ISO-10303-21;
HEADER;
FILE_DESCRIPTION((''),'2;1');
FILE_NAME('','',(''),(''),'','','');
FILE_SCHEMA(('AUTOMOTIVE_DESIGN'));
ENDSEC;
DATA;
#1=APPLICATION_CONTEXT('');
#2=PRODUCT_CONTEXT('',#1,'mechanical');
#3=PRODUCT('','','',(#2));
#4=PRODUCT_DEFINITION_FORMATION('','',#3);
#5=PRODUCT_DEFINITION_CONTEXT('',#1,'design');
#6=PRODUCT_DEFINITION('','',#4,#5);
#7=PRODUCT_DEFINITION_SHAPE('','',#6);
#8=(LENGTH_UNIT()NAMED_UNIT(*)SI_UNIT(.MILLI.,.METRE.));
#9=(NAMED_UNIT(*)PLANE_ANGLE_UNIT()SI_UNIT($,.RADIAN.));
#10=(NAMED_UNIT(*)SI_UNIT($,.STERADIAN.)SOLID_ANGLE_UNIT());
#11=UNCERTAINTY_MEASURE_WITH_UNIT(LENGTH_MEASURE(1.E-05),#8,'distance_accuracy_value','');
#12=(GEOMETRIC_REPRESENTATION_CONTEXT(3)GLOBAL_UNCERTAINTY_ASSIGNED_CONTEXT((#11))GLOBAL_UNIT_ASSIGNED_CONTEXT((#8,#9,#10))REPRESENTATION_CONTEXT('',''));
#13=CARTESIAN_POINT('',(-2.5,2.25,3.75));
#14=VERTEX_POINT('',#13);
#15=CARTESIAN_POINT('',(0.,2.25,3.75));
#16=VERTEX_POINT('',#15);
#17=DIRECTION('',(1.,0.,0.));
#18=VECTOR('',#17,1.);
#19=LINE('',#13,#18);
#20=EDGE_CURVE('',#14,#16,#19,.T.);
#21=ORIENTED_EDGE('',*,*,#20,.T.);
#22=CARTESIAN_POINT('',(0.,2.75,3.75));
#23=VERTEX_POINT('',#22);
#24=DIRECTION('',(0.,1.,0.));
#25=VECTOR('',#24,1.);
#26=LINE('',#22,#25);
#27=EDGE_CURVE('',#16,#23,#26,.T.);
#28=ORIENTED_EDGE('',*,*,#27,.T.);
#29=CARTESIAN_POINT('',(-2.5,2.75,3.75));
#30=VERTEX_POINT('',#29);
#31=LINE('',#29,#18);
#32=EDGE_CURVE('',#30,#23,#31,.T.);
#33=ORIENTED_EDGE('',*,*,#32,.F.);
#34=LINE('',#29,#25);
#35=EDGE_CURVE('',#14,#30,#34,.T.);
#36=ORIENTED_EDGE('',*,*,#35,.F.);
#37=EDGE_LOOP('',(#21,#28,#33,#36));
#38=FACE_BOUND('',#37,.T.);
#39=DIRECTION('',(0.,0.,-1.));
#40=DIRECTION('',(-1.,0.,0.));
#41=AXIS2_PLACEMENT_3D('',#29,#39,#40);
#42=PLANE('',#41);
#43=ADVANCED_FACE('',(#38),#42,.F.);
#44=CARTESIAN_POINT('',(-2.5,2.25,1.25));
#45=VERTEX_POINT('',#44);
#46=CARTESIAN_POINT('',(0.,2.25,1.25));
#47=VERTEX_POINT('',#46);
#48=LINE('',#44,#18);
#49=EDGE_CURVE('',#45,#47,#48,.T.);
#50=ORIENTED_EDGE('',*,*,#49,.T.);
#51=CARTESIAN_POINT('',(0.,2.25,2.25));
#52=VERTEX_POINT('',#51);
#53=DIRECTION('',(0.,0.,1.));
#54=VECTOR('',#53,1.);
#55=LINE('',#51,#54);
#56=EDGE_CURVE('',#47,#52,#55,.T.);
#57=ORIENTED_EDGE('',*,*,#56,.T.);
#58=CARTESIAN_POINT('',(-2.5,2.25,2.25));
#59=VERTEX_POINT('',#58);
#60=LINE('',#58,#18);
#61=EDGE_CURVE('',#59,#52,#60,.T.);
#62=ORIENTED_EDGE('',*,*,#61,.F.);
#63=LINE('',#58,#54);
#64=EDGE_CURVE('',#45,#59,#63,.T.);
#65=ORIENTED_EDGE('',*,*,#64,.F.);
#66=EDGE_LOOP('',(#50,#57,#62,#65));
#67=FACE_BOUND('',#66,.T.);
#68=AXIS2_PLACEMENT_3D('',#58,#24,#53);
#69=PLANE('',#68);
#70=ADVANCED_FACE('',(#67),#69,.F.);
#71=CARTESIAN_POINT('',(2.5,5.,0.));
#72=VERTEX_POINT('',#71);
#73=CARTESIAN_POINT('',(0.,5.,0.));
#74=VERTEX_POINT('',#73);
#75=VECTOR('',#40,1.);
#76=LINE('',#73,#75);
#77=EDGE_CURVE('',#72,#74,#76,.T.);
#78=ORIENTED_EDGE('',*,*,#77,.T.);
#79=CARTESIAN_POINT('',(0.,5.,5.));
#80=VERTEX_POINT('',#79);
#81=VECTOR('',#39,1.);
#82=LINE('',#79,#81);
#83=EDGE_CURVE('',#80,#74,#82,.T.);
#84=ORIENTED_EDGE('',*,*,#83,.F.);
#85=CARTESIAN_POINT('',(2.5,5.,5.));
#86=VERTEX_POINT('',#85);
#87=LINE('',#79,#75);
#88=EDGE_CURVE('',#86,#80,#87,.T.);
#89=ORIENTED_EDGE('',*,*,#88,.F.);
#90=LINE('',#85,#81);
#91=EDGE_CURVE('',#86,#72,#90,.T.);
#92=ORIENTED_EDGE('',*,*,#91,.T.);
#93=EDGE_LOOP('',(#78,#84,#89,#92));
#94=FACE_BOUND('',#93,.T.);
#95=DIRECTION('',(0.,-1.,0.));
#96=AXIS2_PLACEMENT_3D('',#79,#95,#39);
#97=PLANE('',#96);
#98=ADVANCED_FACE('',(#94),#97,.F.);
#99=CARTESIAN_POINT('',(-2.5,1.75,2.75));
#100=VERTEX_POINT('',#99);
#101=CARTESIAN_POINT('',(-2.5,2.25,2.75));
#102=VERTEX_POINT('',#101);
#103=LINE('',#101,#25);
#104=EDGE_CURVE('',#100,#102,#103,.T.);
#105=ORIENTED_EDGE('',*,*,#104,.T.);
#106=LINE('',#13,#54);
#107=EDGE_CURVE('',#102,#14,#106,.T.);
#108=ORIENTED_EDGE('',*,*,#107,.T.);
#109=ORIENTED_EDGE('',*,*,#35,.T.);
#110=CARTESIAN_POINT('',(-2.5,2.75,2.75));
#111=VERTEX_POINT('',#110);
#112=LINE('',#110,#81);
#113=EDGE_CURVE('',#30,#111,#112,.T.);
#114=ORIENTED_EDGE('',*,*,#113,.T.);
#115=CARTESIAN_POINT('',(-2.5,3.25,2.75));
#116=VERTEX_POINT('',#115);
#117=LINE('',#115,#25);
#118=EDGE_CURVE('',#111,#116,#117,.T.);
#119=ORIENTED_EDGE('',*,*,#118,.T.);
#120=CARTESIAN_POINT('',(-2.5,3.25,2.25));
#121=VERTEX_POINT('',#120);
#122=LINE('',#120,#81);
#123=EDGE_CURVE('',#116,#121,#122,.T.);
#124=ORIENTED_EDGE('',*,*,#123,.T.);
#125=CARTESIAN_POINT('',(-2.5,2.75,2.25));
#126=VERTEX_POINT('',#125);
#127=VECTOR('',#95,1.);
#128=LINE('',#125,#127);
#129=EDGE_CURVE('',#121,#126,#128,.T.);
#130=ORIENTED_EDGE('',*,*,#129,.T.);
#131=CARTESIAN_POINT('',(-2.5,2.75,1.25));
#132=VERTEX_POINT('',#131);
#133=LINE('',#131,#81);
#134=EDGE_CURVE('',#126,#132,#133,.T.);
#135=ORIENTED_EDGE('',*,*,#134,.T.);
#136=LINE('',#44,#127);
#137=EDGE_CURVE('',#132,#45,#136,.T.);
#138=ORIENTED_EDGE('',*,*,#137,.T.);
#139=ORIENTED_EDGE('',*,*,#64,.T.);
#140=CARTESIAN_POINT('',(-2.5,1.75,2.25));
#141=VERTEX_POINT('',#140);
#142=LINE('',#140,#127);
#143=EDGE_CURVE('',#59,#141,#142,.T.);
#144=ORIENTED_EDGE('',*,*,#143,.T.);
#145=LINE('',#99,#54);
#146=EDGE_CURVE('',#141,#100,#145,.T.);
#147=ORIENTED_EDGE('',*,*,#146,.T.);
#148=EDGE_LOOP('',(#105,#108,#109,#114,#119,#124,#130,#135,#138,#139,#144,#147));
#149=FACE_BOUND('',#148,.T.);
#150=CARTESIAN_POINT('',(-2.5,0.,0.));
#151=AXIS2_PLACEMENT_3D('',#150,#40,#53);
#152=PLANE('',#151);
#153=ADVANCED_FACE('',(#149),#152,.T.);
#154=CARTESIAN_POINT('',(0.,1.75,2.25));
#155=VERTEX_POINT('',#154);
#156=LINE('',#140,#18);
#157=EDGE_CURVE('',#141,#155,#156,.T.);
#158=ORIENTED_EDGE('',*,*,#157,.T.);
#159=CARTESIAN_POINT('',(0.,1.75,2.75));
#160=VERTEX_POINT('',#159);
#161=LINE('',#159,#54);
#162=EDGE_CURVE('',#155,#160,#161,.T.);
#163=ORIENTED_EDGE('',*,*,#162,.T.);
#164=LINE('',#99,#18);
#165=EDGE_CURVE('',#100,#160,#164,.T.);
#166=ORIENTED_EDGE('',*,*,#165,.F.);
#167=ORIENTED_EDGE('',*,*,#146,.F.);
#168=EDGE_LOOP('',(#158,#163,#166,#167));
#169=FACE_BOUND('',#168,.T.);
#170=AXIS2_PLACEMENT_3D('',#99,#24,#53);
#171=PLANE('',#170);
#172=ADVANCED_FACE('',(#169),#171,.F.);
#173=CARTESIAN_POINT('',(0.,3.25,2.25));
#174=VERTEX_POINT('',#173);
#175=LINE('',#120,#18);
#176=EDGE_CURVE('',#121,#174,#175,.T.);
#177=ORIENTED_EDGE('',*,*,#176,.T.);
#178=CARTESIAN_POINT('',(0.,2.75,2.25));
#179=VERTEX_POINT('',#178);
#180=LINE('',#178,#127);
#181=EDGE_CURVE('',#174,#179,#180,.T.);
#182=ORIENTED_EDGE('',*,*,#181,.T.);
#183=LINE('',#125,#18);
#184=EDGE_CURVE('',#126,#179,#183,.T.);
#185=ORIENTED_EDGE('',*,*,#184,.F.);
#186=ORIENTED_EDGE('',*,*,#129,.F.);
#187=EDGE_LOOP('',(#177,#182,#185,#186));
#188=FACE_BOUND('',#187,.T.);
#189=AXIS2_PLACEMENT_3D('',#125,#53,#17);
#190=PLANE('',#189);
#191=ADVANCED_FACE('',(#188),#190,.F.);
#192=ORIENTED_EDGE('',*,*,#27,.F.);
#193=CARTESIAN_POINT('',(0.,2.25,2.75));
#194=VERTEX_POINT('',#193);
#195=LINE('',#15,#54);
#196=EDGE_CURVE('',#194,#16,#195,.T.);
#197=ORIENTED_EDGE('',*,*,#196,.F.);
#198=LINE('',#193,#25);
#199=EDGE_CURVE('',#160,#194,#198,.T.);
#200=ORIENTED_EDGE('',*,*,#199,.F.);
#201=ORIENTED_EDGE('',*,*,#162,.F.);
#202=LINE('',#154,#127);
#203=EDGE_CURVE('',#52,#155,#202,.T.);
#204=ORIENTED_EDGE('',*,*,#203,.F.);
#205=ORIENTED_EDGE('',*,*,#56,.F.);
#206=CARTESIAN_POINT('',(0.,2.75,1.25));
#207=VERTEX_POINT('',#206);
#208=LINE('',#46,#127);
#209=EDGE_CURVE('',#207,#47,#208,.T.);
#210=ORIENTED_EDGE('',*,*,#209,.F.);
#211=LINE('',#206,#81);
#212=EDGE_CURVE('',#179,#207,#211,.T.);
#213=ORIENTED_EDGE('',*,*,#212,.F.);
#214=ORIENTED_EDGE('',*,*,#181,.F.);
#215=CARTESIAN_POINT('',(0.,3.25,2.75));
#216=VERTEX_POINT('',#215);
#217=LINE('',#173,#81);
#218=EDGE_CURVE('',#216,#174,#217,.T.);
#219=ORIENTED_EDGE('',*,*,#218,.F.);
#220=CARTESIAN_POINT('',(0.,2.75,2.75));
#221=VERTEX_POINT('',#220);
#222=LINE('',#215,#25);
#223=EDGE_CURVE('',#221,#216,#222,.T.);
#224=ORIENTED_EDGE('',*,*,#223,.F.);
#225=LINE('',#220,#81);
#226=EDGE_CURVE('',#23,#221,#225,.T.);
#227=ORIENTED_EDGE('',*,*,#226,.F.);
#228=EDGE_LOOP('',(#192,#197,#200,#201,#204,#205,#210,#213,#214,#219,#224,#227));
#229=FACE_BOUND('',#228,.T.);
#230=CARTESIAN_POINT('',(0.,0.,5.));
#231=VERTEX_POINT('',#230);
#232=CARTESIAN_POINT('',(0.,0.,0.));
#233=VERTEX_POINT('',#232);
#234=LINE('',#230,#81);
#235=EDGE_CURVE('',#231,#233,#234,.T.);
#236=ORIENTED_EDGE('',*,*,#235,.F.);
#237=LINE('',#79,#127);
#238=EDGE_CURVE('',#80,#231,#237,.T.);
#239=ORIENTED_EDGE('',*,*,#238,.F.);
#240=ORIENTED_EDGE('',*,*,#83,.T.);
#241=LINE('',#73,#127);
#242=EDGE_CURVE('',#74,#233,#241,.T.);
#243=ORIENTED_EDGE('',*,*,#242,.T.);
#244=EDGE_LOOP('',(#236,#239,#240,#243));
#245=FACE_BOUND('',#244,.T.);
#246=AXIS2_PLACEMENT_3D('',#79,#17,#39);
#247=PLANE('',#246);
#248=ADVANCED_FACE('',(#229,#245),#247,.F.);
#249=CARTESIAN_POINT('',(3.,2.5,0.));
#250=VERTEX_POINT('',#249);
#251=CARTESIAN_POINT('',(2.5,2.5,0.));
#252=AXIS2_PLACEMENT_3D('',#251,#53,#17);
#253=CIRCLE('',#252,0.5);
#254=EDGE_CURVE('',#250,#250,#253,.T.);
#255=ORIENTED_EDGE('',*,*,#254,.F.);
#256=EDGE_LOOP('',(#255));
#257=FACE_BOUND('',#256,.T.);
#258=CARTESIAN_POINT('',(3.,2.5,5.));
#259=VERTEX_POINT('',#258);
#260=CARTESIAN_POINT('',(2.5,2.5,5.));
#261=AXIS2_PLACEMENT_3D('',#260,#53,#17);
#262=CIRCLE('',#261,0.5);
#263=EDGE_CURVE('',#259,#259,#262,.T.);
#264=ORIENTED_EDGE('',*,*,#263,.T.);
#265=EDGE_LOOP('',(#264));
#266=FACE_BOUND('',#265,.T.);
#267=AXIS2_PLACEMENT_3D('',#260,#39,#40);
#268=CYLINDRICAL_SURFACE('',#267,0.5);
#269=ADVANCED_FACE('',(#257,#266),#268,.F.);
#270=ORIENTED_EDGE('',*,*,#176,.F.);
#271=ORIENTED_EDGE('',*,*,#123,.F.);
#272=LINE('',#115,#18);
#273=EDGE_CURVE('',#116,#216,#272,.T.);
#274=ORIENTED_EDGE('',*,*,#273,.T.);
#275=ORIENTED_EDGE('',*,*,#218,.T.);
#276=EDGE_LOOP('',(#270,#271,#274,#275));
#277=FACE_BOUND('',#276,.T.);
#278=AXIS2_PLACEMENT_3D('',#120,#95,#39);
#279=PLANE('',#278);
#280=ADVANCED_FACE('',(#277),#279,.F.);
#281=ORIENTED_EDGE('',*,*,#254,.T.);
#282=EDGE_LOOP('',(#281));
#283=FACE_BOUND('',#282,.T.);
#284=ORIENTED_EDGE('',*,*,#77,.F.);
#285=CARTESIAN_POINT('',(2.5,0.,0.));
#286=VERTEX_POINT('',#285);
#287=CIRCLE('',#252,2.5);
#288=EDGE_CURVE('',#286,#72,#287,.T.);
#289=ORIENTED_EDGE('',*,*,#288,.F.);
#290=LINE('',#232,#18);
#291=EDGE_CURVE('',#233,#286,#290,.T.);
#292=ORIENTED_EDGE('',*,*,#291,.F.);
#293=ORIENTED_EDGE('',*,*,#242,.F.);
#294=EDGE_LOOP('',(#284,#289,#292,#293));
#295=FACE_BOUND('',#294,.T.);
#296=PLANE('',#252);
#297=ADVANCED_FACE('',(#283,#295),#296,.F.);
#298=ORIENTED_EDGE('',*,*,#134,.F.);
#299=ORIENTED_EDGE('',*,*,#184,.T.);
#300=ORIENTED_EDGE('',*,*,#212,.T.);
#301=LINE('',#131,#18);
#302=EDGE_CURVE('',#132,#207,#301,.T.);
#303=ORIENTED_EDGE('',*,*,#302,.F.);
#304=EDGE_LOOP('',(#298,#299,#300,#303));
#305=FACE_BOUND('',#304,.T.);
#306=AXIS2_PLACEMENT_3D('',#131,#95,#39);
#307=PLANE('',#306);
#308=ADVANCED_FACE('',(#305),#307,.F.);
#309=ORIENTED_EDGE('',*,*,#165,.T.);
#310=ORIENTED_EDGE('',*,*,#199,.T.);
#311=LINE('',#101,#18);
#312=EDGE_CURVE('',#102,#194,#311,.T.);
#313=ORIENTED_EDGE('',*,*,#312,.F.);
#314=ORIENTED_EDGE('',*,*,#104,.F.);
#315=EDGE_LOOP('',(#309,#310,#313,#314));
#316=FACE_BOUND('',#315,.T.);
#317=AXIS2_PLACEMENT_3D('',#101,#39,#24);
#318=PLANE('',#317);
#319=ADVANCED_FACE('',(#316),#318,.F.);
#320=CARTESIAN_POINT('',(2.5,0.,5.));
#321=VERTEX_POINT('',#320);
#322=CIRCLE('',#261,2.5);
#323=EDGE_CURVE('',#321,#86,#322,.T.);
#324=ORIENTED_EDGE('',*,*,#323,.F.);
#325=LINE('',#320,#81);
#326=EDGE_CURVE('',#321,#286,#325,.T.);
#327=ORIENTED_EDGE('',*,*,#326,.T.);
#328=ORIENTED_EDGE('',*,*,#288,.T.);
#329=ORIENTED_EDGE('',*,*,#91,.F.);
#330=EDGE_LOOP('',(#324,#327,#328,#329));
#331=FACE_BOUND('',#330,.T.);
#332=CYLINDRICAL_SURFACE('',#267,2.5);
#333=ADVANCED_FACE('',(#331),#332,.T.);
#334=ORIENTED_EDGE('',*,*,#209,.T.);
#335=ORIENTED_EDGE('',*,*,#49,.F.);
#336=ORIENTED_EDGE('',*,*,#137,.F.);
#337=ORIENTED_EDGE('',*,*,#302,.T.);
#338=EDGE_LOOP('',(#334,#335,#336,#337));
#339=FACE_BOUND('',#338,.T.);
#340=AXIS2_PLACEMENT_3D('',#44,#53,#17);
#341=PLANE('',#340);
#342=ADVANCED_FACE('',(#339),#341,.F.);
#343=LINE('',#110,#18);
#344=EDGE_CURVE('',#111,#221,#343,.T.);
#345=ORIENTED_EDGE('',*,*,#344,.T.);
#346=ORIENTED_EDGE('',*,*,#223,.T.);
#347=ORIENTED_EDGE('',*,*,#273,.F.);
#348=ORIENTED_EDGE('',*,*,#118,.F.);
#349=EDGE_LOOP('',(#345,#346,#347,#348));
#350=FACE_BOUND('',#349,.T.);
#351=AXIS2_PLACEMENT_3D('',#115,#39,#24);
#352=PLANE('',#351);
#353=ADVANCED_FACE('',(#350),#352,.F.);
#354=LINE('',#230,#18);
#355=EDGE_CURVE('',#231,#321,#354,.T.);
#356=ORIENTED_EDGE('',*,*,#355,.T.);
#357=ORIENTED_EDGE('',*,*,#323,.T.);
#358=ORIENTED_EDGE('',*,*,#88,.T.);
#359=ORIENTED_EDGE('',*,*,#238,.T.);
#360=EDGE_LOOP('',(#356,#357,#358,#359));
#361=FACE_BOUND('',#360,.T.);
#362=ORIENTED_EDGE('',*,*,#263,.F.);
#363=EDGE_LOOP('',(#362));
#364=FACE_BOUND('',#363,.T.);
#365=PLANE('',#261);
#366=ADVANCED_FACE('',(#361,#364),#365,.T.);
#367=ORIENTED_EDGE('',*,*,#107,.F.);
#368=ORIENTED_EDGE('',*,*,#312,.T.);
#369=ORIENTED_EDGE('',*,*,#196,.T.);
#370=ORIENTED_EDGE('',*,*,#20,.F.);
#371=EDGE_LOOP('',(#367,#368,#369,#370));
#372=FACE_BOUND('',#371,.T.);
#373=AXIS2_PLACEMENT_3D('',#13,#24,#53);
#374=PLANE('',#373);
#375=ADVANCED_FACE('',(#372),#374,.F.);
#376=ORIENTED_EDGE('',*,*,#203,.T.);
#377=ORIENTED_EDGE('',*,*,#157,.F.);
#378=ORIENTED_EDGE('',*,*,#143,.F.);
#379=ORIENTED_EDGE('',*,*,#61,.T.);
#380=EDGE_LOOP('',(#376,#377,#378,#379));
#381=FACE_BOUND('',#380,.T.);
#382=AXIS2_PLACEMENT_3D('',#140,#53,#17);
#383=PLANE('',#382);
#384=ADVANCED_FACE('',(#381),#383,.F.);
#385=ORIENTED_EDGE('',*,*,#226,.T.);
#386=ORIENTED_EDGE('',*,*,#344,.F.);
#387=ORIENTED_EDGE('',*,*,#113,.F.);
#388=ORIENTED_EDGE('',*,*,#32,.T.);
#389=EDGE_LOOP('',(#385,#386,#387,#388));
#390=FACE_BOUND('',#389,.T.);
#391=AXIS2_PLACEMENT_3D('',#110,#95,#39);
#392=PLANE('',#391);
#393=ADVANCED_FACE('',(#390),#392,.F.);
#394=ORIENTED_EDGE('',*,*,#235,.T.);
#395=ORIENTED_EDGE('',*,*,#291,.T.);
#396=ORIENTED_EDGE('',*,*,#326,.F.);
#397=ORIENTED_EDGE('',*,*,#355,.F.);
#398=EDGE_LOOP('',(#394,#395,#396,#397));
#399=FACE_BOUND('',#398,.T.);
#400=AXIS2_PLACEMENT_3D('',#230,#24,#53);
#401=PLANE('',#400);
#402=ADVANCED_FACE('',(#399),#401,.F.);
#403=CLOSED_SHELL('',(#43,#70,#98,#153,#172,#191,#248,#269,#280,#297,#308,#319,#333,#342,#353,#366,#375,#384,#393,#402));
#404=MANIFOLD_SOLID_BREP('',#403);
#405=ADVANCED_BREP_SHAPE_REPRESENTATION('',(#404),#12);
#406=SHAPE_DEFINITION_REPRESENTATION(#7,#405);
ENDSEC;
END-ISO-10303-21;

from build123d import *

# Parameters (mm, degrees)
BOSS_EXTRUDE1_DEPTH = 5
SKETCH2_R           = 0.5
CUT_EXTRUDE1_DEPTH  = 9.660254038
BOSS_EXTRUDE2_DEPTH = 2.5


with BuildPart() as part:
    # Sketch1 → Boss-Extrude1 (new body)
    with BuildSketch(Plane.XY):
        with BuildLine():
            Line((0, 5), (2.5, 5))
            ThreePointArc((2.5, 5), (5, 2.5), (2.5, 0))
            Line((2.5, 0), (0, 0))
            Line((0, 0), (0, 5))
        make_face()
    extrude(amount=BOSS_EXTRUDE1_DEPTH)

    # Sketch2 → Cut-Extrude1 (cut, through all)
    with BuildSketch(Plane.XY):
        with Locations((2.5, 2.5)):
            Circle(SKETCH2_R)
    extrude(amount=CUT_EXTRUDE1_DEPTH, mode=Mode.SUBTRACT)

    # Sketch4 → Boss-Extrude2 (add)
    with BuildSketch(Plane.ZY):
        Polygon((2.25, 2.75), (2.25, 3.25), (2.75, 3.25), (2.75, 2.75), (3.75, 2.75), (3.75, 2.25), (2.75, 2.25), (2.75, 1.75), (2.25, 1.75), (2.25, 2.25), (1.25, 2.25), (1.25, 2.75), align=None)
    extrude(amount=BOSS_EXTRUDE2_DEPTH)


solid = part.part
